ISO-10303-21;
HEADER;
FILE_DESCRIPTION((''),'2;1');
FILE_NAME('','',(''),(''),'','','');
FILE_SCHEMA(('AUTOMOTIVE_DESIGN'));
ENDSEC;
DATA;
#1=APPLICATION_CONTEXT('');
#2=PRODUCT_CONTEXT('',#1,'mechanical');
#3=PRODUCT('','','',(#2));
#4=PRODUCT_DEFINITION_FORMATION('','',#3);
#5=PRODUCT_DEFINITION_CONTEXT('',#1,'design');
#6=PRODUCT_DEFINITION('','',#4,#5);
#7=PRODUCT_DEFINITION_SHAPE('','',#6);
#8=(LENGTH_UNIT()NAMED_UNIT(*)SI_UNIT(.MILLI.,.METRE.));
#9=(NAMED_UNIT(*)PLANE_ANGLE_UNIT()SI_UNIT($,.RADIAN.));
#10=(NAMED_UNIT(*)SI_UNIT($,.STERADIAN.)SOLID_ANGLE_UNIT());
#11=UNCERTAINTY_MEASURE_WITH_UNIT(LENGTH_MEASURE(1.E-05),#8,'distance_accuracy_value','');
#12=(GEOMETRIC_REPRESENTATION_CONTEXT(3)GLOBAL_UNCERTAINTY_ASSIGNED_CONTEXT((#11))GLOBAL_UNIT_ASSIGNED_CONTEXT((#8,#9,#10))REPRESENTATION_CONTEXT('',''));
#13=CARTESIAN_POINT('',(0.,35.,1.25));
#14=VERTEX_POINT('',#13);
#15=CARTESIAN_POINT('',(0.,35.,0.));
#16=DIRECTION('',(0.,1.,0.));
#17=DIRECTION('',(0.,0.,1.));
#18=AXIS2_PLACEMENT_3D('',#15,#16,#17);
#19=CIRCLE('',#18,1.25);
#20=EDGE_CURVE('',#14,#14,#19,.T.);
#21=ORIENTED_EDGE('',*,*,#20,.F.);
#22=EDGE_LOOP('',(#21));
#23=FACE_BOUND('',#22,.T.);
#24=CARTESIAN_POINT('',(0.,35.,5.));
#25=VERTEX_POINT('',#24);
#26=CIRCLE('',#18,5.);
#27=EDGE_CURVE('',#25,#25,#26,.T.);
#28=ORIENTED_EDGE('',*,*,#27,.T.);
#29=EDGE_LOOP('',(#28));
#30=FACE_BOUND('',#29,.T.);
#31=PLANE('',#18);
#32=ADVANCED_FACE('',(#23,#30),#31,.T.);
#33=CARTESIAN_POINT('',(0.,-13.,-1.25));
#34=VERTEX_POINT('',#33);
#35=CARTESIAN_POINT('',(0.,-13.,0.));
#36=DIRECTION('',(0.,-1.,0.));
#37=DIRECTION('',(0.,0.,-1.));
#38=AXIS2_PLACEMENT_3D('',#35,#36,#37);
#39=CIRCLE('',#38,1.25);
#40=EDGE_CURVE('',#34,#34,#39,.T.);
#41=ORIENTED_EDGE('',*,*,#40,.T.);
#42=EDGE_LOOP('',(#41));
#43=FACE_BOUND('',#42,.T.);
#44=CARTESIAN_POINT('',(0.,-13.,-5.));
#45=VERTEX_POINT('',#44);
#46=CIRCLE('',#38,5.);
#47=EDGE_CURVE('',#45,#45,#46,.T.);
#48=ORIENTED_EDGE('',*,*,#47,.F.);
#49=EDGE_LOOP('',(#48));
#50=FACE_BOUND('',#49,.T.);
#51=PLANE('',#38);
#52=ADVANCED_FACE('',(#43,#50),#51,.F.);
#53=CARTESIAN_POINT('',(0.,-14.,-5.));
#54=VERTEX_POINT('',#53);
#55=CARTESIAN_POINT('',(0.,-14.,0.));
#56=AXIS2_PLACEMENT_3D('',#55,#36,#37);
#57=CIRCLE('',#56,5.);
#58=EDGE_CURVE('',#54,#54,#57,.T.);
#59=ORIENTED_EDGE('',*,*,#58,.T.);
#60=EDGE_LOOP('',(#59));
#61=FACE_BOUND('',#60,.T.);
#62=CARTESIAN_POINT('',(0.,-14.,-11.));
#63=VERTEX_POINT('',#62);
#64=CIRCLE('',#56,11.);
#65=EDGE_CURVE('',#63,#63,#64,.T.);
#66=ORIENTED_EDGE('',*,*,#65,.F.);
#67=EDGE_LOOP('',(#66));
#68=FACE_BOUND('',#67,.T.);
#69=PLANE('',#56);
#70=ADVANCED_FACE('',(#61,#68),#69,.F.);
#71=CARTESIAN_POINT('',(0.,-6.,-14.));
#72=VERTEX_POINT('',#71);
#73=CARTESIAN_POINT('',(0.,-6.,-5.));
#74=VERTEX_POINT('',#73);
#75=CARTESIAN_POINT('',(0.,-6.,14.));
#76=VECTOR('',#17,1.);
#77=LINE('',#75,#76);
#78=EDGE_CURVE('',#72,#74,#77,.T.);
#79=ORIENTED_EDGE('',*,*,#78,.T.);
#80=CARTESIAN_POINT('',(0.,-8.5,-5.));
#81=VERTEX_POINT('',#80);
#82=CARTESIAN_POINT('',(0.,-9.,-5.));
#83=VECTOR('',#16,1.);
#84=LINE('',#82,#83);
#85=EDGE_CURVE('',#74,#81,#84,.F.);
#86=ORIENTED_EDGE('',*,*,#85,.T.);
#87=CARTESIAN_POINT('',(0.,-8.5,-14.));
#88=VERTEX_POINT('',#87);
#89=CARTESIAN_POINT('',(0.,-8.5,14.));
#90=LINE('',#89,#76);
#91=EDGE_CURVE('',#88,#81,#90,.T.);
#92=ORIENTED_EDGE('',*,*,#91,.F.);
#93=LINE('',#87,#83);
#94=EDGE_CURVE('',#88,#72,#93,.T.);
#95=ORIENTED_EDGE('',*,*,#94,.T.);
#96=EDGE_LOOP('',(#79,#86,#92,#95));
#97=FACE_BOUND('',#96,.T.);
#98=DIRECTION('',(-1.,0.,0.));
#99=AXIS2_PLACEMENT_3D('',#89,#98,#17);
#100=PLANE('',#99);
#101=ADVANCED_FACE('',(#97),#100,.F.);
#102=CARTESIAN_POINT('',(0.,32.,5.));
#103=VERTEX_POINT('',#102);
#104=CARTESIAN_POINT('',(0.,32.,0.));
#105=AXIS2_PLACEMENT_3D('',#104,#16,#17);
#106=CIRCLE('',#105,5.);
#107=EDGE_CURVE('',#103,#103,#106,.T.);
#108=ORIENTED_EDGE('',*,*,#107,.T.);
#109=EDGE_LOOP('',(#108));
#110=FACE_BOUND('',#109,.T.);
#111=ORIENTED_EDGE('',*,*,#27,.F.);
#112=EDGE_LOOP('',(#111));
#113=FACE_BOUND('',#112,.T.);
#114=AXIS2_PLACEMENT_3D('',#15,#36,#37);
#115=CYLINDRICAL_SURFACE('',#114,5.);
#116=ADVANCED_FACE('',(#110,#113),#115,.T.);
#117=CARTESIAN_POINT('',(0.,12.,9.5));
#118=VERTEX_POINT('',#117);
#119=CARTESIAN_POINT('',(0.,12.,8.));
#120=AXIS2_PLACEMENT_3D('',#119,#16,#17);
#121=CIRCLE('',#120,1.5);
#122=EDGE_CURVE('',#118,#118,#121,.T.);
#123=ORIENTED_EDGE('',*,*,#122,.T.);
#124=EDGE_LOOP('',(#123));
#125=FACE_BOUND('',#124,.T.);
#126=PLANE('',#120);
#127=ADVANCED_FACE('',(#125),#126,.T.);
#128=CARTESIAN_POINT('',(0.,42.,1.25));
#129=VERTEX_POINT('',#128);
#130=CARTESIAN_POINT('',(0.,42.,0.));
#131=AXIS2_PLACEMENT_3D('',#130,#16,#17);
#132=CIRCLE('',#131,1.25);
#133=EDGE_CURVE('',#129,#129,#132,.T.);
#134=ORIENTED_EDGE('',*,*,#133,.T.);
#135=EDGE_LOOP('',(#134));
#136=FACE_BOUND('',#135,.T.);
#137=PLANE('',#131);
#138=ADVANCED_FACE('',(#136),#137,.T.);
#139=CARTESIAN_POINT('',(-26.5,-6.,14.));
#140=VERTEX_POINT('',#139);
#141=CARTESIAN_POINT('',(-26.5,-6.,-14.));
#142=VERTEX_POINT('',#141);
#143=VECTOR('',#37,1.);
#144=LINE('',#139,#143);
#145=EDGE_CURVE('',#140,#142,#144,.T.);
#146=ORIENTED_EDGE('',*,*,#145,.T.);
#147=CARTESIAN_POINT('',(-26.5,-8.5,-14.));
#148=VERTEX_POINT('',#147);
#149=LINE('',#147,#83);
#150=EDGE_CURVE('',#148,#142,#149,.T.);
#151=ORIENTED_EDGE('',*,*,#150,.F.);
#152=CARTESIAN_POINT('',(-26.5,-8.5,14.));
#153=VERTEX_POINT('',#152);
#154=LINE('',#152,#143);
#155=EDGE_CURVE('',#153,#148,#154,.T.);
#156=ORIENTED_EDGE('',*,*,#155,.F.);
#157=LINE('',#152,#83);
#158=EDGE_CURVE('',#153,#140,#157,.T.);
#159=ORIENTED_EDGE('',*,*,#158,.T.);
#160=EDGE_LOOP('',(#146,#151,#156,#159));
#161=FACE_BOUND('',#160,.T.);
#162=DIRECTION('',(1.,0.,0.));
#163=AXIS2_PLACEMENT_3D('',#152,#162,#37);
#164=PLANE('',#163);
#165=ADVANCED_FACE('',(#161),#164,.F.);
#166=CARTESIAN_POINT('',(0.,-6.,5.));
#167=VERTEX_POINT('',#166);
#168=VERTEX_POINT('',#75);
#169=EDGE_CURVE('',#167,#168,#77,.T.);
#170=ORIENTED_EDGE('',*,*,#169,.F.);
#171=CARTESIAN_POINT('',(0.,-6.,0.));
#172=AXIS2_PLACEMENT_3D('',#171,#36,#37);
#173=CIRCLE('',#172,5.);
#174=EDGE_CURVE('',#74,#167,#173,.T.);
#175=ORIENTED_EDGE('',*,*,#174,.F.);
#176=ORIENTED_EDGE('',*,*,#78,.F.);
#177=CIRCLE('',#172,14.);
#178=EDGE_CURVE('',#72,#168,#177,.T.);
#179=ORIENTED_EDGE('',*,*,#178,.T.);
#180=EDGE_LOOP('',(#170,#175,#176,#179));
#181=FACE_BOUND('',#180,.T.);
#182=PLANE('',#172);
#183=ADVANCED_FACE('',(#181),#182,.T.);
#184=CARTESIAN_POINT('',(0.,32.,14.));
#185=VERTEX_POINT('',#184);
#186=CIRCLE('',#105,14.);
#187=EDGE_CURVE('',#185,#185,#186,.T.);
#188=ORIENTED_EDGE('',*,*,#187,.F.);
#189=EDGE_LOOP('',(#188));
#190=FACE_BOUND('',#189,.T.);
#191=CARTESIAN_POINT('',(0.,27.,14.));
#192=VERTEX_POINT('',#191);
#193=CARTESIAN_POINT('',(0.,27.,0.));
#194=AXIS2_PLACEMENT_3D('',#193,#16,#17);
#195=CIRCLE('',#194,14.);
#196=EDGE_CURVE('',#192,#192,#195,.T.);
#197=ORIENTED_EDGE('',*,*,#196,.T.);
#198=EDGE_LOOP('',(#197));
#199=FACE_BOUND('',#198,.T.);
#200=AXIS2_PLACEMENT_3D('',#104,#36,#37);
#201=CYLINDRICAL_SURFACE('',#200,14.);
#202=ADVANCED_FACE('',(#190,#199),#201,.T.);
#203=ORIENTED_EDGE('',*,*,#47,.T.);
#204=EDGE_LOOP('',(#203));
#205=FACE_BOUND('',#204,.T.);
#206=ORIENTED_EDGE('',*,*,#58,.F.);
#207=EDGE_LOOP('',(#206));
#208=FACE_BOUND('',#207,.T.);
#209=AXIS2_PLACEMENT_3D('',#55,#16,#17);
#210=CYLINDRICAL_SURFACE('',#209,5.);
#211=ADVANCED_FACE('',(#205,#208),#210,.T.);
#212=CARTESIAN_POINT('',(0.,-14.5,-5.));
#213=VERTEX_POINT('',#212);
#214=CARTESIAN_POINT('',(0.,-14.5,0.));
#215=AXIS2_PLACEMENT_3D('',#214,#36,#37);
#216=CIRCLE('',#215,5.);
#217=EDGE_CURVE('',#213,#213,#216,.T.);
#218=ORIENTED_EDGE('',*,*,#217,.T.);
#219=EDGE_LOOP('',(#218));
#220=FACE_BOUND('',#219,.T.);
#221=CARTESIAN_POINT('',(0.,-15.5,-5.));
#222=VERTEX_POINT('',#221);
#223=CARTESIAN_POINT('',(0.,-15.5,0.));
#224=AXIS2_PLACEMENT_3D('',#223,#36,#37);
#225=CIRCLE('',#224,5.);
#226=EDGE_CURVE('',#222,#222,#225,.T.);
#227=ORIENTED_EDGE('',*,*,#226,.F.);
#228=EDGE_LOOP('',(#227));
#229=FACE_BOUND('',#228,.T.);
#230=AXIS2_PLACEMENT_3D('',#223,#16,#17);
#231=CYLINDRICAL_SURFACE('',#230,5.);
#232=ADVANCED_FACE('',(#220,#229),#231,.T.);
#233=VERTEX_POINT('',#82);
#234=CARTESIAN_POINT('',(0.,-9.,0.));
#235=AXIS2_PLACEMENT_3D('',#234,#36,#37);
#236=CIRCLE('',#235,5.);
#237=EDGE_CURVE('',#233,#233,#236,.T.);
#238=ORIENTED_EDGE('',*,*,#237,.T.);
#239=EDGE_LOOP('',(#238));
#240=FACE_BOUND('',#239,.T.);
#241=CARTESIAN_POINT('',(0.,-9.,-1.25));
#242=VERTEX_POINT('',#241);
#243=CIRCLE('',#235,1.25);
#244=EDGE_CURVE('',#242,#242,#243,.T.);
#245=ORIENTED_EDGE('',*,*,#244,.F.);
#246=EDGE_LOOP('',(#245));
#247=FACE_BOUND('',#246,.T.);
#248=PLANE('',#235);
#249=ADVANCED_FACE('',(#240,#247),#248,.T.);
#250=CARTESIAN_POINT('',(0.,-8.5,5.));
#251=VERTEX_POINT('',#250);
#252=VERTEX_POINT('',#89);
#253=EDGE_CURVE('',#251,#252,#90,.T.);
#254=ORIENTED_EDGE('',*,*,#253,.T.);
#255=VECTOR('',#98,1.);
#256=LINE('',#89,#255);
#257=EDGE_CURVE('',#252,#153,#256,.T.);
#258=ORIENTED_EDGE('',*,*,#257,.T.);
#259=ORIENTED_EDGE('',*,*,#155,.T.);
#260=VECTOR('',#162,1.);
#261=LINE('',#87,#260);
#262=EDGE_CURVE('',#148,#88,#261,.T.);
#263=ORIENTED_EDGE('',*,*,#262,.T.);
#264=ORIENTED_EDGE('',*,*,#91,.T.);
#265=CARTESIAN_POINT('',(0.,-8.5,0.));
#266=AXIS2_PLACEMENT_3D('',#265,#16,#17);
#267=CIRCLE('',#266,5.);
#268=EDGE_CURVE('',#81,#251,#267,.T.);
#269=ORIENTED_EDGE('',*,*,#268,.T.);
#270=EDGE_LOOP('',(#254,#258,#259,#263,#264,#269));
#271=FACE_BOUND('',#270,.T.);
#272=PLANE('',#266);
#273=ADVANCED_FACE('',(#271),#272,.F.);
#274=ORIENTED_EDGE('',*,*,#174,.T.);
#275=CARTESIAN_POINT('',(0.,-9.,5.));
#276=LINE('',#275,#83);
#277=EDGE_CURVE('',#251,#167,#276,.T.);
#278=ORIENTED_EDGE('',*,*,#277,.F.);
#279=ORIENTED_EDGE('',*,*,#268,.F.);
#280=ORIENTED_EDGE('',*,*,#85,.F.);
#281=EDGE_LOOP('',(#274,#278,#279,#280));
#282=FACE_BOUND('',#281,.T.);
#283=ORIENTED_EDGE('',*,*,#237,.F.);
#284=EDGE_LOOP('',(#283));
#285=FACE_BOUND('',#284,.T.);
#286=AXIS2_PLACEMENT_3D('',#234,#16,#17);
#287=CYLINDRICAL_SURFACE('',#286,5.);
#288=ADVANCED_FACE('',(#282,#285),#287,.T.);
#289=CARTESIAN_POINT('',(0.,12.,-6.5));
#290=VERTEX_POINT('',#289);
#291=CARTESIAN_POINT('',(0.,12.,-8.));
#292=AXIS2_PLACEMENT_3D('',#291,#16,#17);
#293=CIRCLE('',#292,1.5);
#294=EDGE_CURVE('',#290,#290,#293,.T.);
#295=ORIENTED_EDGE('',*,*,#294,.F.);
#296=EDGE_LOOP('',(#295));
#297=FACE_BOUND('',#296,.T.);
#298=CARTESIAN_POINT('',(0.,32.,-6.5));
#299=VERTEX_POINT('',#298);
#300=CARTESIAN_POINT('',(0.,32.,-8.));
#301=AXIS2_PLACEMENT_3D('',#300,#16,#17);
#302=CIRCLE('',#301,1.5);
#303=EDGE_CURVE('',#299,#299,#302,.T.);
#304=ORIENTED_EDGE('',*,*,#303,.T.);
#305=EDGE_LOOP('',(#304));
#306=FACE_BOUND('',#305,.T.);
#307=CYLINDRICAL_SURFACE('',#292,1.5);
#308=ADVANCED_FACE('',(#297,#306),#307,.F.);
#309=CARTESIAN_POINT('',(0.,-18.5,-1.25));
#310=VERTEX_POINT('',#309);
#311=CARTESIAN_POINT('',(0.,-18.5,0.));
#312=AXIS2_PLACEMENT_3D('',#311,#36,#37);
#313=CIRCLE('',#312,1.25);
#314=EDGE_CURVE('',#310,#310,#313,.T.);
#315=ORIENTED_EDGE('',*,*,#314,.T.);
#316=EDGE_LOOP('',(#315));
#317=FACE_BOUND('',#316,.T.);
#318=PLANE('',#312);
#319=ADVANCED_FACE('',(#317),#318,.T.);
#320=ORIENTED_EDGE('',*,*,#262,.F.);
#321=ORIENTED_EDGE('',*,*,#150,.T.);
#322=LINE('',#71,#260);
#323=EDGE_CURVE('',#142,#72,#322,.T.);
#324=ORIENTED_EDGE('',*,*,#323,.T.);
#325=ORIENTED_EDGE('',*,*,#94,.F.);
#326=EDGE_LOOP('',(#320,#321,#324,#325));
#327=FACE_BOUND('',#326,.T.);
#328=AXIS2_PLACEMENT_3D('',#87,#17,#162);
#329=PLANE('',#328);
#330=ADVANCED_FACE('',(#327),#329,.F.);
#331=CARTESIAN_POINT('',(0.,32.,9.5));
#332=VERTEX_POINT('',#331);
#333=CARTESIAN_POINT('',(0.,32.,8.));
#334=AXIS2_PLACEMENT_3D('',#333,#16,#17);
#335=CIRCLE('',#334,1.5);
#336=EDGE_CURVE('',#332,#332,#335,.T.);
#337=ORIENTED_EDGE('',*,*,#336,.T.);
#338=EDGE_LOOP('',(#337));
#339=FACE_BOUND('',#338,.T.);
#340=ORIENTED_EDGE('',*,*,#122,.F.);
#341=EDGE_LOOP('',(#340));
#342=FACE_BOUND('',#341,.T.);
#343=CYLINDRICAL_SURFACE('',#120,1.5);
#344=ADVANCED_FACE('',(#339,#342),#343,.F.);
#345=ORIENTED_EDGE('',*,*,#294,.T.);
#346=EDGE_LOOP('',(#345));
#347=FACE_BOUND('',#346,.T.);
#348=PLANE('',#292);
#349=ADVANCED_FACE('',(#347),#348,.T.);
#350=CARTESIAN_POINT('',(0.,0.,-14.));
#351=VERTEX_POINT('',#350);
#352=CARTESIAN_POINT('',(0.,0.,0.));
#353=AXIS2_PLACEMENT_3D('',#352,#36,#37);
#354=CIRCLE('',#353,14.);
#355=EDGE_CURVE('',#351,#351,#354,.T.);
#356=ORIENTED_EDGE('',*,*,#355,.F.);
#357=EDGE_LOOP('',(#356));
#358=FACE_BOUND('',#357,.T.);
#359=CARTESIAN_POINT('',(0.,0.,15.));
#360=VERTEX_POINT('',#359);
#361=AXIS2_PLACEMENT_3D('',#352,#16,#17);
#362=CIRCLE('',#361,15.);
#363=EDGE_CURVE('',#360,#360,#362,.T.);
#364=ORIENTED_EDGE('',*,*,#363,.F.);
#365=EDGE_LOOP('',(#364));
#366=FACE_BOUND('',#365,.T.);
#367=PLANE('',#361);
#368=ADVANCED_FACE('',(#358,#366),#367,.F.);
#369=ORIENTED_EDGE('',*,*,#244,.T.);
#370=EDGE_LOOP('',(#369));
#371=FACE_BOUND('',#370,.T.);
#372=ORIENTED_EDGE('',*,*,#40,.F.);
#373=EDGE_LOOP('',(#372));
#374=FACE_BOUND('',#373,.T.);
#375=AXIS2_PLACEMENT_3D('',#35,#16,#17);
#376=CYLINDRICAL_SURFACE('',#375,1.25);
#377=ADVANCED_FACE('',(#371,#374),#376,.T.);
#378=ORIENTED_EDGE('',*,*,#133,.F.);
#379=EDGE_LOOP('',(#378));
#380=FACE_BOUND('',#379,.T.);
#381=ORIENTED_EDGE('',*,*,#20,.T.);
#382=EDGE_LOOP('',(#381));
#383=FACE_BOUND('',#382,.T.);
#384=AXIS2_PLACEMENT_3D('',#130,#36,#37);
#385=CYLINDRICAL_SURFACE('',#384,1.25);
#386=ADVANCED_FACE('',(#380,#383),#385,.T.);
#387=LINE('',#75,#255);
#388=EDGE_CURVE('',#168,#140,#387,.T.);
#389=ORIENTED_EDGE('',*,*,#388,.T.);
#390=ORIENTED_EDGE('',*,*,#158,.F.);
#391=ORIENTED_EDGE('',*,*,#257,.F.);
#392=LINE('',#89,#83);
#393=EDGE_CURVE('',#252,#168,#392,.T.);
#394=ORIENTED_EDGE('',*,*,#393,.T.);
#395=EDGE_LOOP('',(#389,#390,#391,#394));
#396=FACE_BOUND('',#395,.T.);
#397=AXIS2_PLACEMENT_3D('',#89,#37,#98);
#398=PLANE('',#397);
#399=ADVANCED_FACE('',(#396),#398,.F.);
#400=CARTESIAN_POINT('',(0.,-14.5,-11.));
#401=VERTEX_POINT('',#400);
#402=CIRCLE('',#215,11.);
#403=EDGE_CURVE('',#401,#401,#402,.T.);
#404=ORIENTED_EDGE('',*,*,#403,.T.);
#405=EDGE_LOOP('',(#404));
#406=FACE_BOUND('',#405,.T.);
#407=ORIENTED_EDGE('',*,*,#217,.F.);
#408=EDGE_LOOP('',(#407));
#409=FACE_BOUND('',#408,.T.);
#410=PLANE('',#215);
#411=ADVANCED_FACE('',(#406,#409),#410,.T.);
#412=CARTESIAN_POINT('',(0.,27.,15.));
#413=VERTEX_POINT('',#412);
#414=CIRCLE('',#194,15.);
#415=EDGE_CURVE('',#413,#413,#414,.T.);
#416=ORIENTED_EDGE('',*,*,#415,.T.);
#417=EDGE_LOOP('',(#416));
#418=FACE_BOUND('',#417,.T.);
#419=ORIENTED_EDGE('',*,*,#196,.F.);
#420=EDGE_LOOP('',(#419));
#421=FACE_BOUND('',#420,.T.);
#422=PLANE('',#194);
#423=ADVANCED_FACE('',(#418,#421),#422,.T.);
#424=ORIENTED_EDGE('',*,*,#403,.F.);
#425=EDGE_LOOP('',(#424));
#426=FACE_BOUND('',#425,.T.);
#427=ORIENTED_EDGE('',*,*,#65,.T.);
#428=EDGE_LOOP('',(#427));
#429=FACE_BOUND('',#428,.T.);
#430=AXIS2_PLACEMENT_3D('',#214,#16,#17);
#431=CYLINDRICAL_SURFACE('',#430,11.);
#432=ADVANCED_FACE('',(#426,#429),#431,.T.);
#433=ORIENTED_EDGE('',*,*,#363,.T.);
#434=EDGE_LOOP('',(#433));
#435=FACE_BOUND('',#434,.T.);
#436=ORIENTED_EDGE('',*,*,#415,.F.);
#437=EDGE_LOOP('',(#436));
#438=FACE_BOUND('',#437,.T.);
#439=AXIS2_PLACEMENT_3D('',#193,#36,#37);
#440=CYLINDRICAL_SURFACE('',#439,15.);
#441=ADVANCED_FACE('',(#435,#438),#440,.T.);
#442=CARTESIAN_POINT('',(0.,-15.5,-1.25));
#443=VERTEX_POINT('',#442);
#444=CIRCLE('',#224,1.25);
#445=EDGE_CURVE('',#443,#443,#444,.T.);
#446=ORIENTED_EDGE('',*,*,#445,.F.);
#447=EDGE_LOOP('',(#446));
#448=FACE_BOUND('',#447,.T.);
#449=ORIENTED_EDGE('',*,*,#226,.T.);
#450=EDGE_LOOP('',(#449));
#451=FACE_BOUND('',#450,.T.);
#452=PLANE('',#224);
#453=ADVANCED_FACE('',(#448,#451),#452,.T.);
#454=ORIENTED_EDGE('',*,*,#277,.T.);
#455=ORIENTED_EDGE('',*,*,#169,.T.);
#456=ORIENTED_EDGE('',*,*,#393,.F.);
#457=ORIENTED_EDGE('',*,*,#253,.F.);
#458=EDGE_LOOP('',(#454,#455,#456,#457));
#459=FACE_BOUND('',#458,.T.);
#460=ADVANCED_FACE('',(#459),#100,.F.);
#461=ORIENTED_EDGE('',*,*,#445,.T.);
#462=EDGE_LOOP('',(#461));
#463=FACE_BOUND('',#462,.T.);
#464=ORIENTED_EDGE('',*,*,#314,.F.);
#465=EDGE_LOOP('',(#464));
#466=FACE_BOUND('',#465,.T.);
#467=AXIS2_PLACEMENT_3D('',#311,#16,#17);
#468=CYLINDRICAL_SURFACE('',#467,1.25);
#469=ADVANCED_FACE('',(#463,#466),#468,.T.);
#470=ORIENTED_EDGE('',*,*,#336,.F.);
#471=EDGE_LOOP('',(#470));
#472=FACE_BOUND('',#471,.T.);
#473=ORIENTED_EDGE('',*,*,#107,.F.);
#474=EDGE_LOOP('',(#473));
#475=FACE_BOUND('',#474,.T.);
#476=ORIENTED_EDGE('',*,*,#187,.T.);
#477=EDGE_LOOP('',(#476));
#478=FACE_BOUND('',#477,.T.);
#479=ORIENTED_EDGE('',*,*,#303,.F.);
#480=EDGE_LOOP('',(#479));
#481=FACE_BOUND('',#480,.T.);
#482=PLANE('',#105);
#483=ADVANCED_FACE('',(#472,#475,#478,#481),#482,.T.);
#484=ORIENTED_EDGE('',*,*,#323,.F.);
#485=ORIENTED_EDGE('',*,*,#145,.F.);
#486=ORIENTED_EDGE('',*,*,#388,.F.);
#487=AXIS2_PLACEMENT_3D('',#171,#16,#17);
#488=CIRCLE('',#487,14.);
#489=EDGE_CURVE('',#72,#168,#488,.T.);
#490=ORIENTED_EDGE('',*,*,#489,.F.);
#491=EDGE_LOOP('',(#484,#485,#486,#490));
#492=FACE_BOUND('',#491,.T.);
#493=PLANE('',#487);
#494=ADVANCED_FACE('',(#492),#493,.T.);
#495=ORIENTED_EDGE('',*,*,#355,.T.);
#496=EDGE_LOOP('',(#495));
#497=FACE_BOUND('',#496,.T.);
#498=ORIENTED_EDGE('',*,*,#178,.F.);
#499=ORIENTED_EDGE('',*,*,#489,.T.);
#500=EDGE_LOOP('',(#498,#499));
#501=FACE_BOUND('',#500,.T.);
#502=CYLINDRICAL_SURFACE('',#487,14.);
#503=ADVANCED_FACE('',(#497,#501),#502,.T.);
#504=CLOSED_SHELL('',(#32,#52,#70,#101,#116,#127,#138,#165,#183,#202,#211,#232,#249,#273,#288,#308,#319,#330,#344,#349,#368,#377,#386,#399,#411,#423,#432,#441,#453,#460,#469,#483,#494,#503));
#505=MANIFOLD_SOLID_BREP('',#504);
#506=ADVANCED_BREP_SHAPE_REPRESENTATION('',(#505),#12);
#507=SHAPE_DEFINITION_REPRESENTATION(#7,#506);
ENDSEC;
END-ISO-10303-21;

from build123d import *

# Parameters (mm, degrees)
SKETCH1_R            = 15
BOSS_EXTRUDE1_DEPTH  = 27
SKETCH2_R            = 14
BOSS_EXTRUDE2_DEPTH  = 5
SKETCH3_R            = 5
BOSS_EXTRUDE3_DEPTH  = 3
SKETCH4_R            = 1.25
BOSS_EXTRUDE4_DEPTH  = 7
BOSS_EXTRUDE5_START  = 6
SKETCH5_R            = 14
BOSS_EXTRUDE5_DEPTH  = 6
BOSS_EXTRUDE6_START  = 3
SKETCH6_R            = 5
BOSS_EXTRUDE6_DEPTH  = 3
SKETCH7_W            = 26.5
SKETCH7_H            = 28
BOSS_EXTRUDE7_DEPTH  = 2.5
BOSS_EXTRUDE8_START  = 4
SKETCH8_R            = 1.25
BOSS_EXTRUDE8_DEPTH  = 4
BOSS_EXTRUDE9_START  = 1
SKETCH9_R            = 5
BOSS_EXTRUDE9_DEPTH  = 1
SKETCH10_R           = 11
BOSS_EXTRUDE10_DEPTH = 0.5
BOSS_EXTRUDE11_START = 1
SKETCH11_R           = 5
BOSS_EXTRUDE11_DEPTH = 1
BOSS_EXTRUDE12_START = 3
SKETCH12_R           = 1.25
BOSS_EXTRUDE12_DEPTH = 3
SKETCH13_R           = 1.5
CUT_EXTRUDE1_DEPTH   = 20


with BuildPart() as part:
    # Sketch1 → Boss-Extrude1 (new body)
    with BuildSketch(Plane(origin=(0, 0, 0), x_dir=(1, 0, 0), z_dir=(0, 1, 0))):
        with Locations(Location((0, 0, 0), (0, 0, 270))):
            Circle(SKETCH1_R)
    extrude(amount=BOSS_EXTRUDE1_DEPTH)

    # Sketch2 → Boss-Extrude2 (add)
    with BuildSketch(Plane(origin=(0, 27, 0), x_dir=(1, 0, 0), z_dir=(0, 1, 0))):
        with Locations(Location((0, 0, 0), (0, 0, 270))):
            Circle(SKETCH2_R)
    extrude(amount=BOSS_EXTRUDE2_DEPTH)

    # Sketch3 → Boss-Extrude3 (add)
    with BuildSketch(Plane(origin=(0, 32, 0), x_dir=(1, 0, 0), z_dir=(0, 1, 0))):
        with Locations(Location((0, 0, 0), (0, 0, 270))):
            Circle(SKETCH3_R)
    extrude(amount=BOSS_EXTRUDE3_DEPTH)

    # Sketch4 → Boss-Extrude4 (add)
    with BuildSketch(Plane(origin=(0, 35, 0), x_dir=(1, 0, 0), z_dir=(0, 1, 0))):
        with Locations(Location((0, 0, 0), (0, 0, 270))):
            Circle(SKETCH4_R)
    extrude(amount=BOSS_EXTRUDE4_DEPTH)

    # Sketch5 → Boss-Extrude5 (add)
    with BuildSketch(Plane.XZ.offset(BOSS_EXTRUDE5_START)):
        with Locations(Location((0, 0, 0), (0, 0, 90))):
            Circle(SKETCH5_R)
    extrude(amount=-BOSS_EXTRUDE5_DEPTH)

    # Sketch6 → Boss-Extrude6 (add)
    with BuildSketch(Plane.XZ.offset(6).offset(BOSS_EXTRUDE6_START)):
        with Locations(Location((0, 0, 0), (0, 0, 90))):
            Circle(SKETCH6_R)
    extrude(amount=-BOSS_EXTRUDE6_DEPTH)

    # Sketch7 → Boss-Extrude7 (add)
    with BuildSketch(Plane.XZ.offset(6)):
        with Locations((-13.25, 0)):
            Rectangle(SKETCH7_W, SKETCH7_H)
    extrude(amount=BOSS_EXTRUDE7_DEPTH)

    # Sketch8 → Boss-Extrude8 (add)
    with BuildSketch(Plane.XZ.offset(9).offset(BOSS_EXTRUDE8_START)):
        with Locations(Location((0, 0, 0), (0, 0, 90))):
            Circle(SKETCH8_R)
    extrude(amount=-BOSS_EXTRUDE8_DEPTH)

    # Sketch9 → Boss-Extrude9 (add)
    with BuildSketch(Plane.XZ.offset(13).offset(BOSS_EXTRUDE9_START)):
        with Locations(Location((0, 0, 0), (0, 0, 270))):
            Circle(SKETCH9_R)
    extrude(amount=-BOSS_EXTRUDE9_DEPTH)

    # Sketch10 → Boss-Extrude10 (add)
    with BuildSketch(Plane.XZ.offset(14)):
        with Locations(Location((0, 0, 0), (0, 0, 270))):
            Circle(SKETCH10_R)
    extrude(amount=BOSS_EXTRUDE10_DEPTH)

    # Sketch11 → Boss-Extrude11 (add)
    with BuildSketch(Plane.XZ.offset(14.5).offset(BOSS_EXTRUDE11_START)):
        with Locations(Location((0, 0, 0), (0, 0, 270))):
            Circle(SKETCH11_R)
    extrude(amount=-BOSS_EXTRUDE11_DEPTH)

    # Sketch12 → Boss-Extrude12 (add)
    with BuildSketch(Plane.XZ.offset(15.5).offset(BOSS_EXTRUDE12_START)):
        with Locations(Location((0, 0, 0), (0, 0, 90))):
            Circle(SKETCH12_R)
    extrude(amount=-BOSS_EXTRUDE12_DEPTH)

    # Sketch13 → Cut-Extrude1 (cut)
    with BuildSketch(Plane(origin=(0, 32, 0), x_dir=(1, 0, 0), z_dir=(0, 1, 0))):
        with Locations(Location((0, 8, 0), (0, 0, 270))):
            Circle(SKETCH13_R)
        with Locations(Location((0, -8, 0), (0, 0, 270))):
            Circle(SKETCH13_R)
    extrude(amount=-CUT_EXTRUDE1_DEPTH, mode=Mode.SUBTRACT)


solid = part.part
